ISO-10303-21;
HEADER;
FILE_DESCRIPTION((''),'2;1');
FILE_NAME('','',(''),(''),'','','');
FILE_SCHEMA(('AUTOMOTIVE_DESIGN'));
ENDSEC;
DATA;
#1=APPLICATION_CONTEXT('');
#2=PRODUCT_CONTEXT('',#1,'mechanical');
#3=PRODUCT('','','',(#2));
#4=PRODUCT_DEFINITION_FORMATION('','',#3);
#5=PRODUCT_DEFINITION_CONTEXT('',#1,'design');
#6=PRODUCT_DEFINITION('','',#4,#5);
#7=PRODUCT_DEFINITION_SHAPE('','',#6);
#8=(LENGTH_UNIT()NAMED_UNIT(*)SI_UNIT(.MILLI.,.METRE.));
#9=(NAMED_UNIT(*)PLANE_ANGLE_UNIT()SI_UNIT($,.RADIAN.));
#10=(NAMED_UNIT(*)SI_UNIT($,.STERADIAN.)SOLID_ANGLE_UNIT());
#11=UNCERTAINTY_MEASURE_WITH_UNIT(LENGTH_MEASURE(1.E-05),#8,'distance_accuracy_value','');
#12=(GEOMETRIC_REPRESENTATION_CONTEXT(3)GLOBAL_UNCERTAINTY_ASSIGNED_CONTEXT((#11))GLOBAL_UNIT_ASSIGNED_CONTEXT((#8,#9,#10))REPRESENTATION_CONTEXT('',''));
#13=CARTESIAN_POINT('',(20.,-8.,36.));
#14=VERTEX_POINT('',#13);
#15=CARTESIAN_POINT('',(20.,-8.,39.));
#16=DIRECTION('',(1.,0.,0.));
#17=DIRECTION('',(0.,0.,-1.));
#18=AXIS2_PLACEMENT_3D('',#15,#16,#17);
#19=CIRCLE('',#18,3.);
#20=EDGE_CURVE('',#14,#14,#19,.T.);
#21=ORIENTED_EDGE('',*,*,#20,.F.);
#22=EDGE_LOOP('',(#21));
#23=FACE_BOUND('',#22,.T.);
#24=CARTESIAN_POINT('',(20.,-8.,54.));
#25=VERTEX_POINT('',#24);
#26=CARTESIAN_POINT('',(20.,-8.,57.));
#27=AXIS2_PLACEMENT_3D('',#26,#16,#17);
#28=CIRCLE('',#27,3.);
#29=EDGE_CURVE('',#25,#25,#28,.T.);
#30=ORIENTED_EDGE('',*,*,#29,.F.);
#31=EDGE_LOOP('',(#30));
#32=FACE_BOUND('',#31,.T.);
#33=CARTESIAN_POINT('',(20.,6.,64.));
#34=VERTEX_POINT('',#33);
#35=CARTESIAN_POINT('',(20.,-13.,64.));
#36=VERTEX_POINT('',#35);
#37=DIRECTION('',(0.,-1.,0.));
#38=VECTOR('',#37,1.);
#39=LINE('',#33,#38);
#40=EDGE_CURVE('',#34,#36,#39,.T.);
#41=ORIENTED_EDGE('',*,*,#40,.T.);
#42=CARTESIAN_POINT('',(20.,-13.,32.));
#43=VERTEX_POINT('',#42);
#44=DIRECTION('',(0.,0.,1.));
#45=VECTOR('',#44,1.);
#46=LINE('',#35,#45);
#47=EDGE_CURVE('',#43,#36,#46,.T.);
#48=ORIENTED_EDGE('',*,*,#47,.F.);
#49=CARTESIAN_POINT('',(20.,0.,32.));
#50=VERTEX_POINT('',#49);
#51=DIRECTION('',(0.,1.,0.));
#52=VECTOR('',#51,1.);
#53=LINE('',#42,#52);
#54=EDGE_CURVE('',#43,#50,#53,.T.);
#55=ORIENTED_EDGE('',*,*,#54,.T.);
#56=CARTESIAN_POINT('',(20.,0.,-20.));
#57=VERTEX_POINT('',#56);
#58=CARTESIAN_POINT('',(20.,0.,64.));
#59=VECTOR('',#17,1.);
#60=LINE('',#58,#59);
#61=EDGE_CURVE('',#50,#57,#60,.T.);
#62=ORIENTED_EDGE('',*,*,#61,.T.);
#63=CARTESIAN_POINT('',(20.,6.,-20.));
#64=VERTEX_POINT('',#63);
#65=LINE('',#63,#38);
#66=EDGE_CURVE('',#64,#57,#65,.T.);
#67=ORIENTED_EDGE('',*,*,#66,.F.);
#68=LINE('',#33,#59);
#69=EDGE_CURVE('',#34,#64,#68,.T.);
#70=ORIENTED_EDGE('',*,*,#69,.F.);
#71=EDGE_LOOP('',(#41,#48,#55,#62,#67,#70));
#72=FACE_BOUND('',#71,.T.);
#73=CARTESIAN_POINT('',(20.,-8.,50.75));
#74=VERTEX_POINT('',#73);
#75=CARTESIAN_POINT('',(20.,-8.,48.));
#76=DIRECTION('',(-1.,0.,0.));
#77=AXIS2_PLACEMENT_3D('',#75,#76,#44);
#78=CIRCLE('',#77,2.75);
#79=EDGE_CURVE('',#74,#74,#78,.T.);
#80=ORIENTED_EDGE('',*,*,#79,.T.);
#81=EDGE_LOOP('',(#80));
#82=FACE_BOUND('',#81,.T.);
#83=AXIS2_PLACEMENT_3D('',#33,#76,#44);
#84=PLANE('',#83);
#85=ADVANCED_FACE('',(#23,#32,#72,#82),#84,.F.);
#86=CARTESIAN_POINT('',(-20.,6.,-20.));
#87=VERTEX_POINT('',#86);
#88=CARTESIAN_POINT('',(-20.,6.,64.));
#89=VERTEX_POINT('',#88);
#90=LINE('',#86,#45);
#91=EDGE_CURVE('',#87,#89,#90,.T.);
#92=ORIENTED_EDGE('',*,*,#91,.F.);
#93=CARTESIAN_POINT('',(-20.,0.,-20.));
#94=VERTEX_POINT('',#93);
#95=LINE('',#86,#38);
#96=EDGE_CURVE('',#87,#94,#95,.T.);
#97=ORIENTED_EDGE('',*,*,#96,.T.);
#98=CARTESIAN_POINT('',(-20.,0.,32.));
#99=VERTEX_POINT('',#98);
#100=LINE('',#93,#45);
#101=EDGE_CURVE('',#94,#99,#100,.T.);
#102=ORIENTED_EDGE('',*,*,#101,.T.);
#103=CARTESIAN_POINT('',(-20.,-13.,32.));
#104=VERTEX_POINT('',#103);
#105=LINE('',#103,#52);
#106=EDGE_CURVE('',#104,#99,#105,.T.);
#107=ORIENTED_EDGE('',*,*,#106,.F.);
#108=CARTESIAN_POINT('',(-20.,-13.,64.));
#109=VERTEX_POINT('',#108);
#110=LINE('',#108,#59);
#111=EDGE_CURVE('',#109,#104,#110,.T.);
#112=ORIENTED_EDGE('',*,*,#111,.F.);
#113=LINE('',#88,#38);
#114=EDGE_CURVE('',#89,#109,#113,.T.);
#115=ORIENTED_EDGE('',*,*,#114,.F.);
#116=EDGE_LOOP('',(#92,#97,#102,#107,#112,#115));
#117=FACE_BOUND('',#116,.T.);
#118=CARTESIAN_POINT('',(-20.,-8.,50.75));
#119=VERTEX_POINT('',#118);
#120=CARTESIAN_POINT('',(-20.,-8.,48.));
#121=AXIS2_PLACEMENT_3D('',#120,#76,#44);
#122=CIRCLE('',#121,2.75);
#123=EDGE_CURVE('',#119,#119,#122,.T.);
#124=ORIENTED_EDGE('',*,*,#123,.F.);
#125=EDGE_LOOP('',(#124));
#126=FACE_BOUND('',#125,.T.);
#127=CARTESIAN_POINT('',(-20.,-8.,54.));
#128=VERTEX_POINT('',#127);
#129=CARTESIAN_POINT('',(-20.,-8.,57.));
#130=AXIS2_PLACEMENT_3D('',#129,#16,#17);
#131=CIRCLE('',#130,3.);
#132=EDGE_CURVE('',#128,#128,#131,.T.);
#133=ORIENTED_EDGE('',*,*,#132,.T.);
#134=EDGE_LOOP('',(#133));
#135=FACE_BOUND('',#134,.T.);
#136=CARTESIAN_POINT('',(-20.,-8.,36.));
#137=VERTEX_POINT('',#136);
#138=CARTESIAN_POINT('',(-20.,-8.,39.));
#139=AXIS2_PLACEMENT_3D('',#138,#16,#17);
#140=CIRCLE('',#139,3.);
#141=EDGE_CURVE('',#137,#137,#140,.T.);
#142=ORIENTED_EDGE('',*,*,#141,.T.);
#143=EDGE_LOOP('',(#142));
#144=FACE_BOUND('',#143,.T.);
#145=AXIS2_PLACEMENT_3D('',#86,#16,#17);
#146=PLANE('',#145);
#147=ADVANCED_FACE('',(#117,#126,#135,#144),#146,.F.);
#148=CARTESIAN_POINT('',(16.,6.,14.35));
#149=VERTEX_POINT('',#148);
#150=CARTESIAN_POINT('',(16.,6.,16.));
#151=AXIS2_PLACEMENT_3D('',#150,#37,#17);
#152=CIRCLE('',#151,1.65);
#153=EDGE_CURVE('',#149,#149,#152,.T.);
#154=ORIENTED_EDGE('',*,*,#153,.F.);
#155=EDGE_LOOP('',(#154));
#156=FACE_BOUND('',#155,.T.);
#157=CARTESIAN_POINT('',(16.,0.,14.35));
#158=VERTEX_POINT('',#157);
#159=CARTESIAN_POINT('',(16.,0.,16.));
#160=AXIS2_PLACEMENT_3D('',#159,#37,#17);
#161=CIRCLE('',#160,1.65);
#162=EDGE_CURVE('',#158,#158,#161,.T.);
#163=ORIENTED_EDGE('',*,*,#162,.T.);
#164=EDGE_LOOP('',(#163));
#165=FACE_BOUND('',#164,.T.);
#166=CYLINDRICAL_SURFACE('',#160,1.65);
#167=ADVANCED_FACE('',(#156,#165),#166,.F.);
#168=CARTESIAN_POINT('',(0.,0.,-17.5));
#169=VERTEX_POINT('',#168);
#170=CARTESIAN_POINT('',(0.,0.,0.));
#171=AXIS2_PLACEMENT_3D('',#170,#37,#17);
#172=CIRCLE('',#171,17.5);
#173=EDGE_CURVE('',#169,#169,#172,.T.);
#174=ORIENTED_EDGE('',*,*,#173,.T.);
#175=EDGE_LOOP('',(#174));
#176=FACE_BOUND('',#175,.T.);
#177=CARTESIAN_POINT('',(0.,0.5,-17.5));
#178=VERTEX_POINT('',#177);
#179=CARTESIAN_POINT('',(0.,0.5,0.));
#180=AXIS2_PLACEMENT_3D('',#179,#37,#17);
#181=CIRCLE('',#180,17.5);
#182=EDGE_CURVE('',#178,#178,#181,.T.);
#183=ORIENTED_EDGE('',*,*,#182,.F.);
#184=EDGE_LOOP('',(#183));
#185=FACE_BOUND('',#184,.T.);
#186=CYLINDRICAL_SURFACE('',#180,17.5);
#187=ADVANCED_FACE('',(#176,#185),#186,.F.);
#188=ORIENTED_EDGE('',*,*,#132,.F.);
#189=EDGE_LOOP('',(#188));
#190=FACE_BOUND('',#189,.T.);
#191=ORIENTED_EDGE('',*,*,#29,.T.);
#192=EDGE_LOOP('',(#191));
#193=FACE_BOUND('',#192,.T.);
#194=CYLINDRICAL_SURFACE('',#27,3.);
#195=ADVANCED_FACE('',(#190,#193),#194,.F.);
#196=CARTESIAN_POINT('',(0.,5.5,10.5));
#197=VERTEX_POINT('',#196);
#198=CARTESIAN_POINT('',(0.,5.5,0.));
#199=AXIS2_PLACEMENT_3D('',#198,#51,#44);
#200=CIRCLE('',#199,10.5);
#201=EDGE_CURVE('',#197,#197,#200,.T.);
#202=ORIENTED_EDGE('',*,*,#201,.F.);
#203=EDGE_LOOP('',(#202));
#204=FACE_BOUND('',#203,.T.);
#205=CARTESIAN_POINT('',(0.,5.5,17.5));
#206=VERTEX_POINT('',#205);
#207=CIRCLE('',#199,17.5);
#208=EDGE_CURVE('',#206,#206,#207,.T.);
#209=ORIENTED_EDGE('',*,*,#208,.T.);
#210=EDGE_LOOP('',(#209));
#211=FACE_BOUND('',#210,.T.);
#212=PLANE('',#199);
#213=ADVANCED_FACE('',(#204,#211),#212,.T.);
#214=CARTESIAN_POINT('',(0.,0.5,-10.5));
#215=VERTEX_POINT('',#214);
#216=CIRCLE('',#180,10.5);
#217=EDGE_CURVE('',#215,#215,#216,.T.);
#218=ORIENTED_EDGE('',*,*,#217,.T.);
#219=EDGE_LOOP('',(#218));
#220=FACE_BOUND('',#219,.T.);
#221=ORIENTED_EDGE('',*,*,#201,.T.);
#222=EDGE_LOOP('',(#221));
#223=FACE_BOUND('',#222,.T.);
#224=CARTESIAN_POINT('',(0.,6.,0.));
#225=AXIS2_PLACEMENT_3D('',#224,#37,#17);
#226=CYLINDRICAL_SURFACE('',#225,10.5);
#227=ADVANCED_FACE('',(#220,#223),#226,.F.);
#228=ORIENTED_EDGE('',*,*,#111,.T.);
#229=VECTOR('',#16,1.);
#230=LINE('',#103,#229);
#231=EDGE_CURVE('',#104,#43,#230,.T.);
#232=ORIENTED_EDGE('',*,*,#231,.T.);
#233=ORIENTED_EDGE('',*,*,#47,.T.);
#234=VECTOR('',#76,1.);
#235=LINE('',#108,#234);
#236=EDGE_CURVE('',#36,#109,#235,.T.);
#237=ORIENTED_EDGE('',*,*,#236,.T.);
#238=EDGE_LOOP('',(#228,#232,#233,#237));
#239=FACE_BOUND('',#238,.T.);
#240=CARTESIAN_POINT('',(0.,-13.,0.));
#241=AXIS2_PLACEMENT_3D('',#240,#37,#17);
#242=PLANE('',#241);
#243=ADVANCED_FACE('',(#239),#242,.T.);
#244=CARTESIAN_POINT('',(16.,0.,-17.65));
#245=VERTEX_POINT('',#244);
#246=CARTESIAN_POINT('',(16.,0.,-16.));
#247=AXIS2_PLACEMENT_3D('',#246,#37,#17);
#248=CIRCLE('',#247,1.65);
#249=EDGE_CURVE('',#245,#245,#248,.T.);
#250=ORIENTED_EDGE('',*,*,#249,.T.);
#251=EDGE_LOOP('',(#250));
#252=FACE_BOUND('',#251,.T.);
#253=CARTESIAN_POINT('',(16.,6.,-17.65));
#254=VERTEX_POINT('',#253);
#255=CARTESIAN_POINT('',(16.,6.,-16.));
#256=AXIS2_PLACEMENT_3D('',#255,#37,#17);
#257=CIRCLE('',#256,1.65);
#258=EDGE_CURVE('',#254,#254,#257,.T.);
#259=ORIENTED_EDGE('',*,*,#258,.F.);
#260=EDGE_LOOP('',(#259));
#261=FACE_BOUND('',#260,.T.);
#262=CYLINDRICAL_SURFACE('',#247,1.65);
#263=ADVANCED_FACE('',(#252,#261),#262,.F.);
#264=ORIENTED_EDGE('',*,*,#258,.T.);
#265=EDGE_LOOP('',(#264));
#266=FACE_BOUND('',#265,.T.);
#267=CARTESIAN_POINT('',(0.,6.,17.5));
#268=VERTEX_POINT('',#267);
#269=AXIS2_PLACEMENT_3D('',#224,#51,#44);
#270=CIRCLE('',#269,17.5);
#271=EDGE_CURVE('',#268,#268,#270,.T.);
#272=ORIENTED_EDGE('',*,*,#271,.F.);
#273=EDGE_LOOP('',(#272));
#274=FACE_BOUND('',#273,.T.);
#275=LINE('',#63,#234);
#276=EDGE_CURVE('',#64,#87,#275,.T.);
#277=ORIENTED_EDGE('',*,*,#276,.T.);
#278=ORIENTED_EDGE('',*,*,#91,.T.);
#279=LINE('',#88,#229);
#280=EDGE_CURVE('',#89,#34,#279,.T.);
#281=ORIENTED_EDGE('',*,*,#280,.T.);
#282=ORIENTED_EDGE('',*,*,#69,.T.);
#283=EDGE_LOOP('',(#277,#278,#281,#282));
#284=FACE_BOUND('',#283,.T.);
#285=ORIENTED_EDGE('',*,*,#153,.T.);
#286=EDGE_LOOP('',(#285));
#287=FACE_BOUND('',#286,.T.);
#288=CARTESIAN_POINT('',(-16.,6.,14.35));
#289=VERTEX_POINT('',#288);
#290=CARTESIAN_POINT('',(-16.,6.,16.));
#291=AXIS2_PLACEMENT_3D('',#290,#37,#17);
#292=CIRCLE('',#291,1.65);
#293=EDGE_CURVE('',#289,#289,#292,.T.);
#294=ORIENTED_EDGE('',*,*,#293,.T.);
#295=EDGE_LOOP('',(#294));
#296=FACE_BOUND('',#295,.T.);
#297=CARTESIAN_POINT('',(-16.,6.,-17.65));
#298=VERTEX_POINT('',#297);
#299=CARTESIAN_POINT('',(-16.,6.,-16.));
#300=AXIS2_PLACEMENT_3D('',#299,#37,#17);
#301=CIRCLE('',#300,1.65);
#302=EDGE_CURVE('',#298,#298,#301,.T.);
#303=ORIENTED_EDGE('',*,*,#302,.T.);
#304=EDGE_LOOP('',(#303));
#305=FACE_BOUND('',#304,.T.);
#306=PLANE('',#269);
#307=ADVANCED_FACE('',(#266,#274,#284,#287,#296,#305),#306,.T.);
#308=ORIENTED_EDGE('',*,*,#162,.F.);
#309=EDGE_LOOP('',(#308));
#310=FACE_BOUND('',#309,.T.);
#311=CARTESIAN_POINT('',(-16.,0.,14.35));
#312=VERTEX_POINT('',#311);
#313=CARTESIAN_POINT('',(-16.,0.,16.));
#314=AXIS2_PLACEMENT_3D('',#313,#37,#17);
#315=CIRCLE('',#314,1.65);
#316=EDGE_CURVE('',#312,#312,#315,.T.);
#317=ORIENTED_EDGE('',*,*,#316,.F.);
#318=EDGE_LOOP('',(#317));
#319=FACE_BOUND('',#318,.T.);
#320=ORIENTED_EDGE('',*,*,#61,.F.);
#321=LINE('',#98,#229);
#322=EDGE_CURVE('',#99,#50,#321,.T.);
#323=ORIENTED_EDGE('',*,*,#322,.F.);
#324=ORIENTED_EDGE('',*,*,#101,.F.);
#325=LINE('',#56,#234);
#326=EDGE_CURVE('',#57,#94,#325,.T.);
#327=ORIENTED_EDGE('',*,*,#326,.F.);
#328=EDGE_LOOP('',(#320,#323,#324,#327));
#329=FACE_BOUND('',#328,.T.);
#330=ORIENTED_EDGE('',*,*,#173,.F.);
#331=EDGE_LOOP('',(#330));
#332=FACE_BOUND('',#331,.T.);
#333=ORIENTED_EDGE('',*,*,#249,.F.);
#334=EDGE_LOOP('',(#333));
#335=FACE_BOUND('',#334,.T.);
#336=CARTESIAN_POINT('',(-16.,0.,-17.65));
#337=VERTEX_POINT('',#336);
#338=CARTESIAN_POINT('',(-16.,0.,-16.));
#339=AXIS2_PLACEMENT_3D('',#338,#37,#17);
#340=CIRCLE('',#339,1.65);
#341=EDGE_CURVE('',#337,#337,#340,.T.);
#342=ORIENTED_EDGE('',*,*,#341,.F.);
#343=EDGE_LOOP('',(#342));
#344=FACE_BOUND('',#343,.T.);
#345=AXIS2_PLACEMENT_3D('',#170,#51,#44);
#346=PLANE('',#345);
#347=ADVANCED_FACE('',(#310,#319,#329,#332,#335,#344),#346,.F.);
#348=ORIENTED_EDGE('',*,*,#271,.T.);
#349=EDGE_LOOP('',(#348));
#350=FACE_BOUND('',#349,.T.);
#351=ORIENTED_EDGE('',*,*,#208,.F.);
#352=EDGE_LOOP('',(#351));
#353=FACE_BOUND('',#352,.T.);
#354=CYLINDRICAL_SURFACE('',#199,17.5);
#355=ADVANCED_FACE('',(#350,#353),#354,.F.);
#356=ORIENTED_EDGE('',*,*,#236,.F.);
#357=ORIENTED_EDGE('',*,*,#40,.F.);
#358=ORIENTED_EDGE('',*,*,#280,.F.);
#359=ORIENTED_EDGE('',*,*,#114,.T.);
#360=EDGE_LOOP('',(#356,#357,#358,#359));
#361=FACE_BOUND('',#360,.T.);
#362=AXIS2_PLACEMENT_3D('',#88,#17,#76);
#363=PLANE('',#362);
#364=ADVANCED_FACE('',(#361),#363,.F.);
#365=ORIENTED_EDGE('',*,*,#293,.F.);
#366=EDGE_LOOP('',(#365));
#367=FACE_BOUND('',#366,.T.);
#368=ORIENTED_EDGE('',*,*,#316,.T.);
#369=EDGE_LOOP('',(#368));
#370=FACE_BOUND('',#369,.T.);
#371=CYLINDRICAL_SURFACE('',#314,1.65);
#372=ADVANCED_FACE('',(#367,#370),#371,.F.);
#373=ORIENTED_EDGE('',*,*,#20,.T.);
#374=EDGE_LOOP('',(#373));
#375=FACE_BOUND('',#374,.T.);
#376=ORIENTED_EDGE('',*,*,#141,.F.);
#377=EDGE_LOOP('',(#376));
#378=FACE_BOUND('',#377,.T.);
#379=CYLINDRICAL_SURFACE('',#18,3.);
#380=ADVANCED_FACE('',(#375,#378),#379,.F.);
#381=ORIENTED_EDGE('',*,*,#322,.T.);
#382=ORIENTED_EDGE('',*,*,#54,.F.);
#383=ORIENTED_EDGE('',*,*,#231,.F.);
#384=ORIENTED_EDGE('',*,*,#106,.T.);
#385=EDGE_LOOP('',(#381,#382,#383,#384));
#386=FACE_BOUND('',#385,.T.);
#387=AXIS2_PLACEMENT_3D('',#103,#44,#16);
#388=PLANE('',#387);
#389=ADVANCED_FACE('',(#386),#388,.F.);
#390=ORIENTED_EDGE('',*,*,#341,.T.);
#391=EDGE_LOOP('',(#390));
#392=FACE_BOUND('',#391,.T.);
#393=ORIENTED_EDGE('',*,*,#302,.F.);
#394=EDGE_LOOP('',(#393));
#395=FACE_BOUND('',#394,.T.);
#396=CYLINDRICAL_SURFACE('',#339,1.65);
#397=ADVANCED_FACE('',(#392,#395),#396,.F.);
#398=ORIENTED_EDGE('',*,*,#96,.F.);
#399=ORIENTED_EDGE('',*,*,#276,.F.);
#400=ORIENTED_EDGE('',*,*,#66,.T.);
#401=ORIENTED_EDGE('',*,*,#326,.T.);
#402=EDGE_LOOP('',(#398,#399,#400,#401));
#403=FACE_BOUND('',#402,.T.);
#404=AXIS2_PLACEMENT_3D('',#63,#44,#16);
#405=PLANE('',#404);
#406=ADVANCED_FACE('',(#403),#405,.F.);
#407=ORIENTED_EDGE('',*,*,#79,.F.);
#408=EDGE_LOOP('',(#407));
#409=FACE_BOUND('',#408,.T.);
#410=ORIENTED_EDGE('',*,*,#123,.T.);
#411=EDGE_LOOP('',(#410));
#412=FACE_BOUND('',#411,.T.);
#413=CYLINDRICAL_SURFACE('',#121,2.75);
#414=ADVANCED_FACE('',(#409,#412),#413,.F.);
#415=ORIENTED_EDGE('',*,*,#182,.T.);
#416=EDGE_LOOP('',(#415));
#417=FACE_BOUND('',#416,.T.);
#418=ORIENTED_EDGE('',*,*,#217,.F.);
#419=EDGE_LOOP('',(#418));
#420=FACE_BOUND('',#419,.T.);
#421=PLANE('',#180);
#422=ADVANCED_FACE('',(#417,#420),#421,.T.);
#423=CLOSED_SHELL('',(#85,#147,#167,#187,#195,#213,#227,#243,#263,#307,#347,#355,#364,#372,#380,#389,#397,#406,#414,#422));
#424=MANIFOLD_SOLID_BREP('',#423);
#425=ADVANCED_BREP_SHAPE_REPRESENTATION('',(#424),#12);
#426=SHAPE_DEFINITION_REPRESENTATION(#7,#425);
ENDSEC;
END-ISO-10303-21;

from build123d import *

# Parameters (mm, degrees)
SKETCH1_W             = 40
SKETCH1_H             = 84
SKETCH1_R             = 10.5
BOSS_EXTRUDE1_DEPTH   = 6
SKETCH2_W             = 40
SKETCH2_H             = 32
BOSS_EXTRUDE2_DEPTH   = 13
F_6_0MM_DOWEL_HOLE1_D = 6
M5_CLEARANCE_HOLE1_D  = 5.5
M4X0_7_TAPPED_HOLE1_D = 3.3
SKETCH12_R            = 17.5
CUT_EXTRUDE1_DEPTH    = 0.5
CUT_EXTRUDE2_START    = -0.5
SKETCH13_R            = 17.5
CUT_EXTRUDE2_DEPTH    = 0.5


with BuildPart() as part:
    # Sketch1 → Boss-Extrude1 (new body)
    with BuildSketch(Plane(origin=(0, 0, 0), x_dir=(1, 0, 0), z_dir=(0, 1, 0))):
        with Locations((0, -22)):
            Rectangle(SKETCH1_W, SKETCH1_H)
        with Locations(Location((0, 0, 0), (0, 0, 270))):
            Circle(SKETCH1_R, mode=Mode.SUBTRACT)
    extrude(amount=BOSS_EXTRUDE1_DEPTH)

    # Sketch2 → Boss-Extrude2 (add)
    with BuildSketch(Plane.XZ):
        with Locations((0, 48)):
            Rectangle(SKETCH2_W, SKETCH2_H)
    extrude(amount=BOSS_EXTRUDE2_DEPTH)

    # Ø6.0mm Dowel Hole1 (through all)
    with Locations(Plane(origin=(20, 0, 0), x_dir=(0, 0, -1), z_dir=(1, 0, 0))):
        with Locations((-57, -8), (-39, -8)):
            Hole(F_6_0MM_DOWEL_HOLE1_D / 2)

    # M5 Clearance Hole1 (through all)
    with Locations(Plane.ZY.offset(20)):
        with Locations((48, -8)):
            Hole(M5_CLEARANCE_HOLE1_D / 2)

    # M4x0.7 Tapped Hole1 (through all)
    with Locations(Plane(origin=(0, 0, 0), x_dir=(-1, 0, 0), z_dir=(0, -1, 0))):
        with Locations((16, 16), (-16, 16), (-16, -16), (16, -16)):
            Hole(M4X0_7_TAPPED_HOLE1_D / 2)

    # Sketch12 → Cut-Extrude1 (cut)
    with BuildSketch(Plane(origin=(0, 6, 0), x_dir=(1, 0, 0), z_dir=(0, 1, 0))):
        with Locations(Location((0, 0, 0), (0, 0, 270))):
            Circle(SKETCH12_R)
    extrude(amount=-CUT_EXTRUDE1_DEPTH, mode=Mode.SUBTRACT)

    # Sketch13 → Cut-Extrude2 (cut)
    with BuildSketch(Plane.XZ.offset(CUT_EXTRUDE2_START)):
        with Locations(Location((0, 0, 0), (0, 0, 90))):
            Circle(SKETCH13_R)
    extrude(amount=CUT_EXTRUDE2_DEPTH, mode=Mode.SUBTRACT)


solid = part.part
